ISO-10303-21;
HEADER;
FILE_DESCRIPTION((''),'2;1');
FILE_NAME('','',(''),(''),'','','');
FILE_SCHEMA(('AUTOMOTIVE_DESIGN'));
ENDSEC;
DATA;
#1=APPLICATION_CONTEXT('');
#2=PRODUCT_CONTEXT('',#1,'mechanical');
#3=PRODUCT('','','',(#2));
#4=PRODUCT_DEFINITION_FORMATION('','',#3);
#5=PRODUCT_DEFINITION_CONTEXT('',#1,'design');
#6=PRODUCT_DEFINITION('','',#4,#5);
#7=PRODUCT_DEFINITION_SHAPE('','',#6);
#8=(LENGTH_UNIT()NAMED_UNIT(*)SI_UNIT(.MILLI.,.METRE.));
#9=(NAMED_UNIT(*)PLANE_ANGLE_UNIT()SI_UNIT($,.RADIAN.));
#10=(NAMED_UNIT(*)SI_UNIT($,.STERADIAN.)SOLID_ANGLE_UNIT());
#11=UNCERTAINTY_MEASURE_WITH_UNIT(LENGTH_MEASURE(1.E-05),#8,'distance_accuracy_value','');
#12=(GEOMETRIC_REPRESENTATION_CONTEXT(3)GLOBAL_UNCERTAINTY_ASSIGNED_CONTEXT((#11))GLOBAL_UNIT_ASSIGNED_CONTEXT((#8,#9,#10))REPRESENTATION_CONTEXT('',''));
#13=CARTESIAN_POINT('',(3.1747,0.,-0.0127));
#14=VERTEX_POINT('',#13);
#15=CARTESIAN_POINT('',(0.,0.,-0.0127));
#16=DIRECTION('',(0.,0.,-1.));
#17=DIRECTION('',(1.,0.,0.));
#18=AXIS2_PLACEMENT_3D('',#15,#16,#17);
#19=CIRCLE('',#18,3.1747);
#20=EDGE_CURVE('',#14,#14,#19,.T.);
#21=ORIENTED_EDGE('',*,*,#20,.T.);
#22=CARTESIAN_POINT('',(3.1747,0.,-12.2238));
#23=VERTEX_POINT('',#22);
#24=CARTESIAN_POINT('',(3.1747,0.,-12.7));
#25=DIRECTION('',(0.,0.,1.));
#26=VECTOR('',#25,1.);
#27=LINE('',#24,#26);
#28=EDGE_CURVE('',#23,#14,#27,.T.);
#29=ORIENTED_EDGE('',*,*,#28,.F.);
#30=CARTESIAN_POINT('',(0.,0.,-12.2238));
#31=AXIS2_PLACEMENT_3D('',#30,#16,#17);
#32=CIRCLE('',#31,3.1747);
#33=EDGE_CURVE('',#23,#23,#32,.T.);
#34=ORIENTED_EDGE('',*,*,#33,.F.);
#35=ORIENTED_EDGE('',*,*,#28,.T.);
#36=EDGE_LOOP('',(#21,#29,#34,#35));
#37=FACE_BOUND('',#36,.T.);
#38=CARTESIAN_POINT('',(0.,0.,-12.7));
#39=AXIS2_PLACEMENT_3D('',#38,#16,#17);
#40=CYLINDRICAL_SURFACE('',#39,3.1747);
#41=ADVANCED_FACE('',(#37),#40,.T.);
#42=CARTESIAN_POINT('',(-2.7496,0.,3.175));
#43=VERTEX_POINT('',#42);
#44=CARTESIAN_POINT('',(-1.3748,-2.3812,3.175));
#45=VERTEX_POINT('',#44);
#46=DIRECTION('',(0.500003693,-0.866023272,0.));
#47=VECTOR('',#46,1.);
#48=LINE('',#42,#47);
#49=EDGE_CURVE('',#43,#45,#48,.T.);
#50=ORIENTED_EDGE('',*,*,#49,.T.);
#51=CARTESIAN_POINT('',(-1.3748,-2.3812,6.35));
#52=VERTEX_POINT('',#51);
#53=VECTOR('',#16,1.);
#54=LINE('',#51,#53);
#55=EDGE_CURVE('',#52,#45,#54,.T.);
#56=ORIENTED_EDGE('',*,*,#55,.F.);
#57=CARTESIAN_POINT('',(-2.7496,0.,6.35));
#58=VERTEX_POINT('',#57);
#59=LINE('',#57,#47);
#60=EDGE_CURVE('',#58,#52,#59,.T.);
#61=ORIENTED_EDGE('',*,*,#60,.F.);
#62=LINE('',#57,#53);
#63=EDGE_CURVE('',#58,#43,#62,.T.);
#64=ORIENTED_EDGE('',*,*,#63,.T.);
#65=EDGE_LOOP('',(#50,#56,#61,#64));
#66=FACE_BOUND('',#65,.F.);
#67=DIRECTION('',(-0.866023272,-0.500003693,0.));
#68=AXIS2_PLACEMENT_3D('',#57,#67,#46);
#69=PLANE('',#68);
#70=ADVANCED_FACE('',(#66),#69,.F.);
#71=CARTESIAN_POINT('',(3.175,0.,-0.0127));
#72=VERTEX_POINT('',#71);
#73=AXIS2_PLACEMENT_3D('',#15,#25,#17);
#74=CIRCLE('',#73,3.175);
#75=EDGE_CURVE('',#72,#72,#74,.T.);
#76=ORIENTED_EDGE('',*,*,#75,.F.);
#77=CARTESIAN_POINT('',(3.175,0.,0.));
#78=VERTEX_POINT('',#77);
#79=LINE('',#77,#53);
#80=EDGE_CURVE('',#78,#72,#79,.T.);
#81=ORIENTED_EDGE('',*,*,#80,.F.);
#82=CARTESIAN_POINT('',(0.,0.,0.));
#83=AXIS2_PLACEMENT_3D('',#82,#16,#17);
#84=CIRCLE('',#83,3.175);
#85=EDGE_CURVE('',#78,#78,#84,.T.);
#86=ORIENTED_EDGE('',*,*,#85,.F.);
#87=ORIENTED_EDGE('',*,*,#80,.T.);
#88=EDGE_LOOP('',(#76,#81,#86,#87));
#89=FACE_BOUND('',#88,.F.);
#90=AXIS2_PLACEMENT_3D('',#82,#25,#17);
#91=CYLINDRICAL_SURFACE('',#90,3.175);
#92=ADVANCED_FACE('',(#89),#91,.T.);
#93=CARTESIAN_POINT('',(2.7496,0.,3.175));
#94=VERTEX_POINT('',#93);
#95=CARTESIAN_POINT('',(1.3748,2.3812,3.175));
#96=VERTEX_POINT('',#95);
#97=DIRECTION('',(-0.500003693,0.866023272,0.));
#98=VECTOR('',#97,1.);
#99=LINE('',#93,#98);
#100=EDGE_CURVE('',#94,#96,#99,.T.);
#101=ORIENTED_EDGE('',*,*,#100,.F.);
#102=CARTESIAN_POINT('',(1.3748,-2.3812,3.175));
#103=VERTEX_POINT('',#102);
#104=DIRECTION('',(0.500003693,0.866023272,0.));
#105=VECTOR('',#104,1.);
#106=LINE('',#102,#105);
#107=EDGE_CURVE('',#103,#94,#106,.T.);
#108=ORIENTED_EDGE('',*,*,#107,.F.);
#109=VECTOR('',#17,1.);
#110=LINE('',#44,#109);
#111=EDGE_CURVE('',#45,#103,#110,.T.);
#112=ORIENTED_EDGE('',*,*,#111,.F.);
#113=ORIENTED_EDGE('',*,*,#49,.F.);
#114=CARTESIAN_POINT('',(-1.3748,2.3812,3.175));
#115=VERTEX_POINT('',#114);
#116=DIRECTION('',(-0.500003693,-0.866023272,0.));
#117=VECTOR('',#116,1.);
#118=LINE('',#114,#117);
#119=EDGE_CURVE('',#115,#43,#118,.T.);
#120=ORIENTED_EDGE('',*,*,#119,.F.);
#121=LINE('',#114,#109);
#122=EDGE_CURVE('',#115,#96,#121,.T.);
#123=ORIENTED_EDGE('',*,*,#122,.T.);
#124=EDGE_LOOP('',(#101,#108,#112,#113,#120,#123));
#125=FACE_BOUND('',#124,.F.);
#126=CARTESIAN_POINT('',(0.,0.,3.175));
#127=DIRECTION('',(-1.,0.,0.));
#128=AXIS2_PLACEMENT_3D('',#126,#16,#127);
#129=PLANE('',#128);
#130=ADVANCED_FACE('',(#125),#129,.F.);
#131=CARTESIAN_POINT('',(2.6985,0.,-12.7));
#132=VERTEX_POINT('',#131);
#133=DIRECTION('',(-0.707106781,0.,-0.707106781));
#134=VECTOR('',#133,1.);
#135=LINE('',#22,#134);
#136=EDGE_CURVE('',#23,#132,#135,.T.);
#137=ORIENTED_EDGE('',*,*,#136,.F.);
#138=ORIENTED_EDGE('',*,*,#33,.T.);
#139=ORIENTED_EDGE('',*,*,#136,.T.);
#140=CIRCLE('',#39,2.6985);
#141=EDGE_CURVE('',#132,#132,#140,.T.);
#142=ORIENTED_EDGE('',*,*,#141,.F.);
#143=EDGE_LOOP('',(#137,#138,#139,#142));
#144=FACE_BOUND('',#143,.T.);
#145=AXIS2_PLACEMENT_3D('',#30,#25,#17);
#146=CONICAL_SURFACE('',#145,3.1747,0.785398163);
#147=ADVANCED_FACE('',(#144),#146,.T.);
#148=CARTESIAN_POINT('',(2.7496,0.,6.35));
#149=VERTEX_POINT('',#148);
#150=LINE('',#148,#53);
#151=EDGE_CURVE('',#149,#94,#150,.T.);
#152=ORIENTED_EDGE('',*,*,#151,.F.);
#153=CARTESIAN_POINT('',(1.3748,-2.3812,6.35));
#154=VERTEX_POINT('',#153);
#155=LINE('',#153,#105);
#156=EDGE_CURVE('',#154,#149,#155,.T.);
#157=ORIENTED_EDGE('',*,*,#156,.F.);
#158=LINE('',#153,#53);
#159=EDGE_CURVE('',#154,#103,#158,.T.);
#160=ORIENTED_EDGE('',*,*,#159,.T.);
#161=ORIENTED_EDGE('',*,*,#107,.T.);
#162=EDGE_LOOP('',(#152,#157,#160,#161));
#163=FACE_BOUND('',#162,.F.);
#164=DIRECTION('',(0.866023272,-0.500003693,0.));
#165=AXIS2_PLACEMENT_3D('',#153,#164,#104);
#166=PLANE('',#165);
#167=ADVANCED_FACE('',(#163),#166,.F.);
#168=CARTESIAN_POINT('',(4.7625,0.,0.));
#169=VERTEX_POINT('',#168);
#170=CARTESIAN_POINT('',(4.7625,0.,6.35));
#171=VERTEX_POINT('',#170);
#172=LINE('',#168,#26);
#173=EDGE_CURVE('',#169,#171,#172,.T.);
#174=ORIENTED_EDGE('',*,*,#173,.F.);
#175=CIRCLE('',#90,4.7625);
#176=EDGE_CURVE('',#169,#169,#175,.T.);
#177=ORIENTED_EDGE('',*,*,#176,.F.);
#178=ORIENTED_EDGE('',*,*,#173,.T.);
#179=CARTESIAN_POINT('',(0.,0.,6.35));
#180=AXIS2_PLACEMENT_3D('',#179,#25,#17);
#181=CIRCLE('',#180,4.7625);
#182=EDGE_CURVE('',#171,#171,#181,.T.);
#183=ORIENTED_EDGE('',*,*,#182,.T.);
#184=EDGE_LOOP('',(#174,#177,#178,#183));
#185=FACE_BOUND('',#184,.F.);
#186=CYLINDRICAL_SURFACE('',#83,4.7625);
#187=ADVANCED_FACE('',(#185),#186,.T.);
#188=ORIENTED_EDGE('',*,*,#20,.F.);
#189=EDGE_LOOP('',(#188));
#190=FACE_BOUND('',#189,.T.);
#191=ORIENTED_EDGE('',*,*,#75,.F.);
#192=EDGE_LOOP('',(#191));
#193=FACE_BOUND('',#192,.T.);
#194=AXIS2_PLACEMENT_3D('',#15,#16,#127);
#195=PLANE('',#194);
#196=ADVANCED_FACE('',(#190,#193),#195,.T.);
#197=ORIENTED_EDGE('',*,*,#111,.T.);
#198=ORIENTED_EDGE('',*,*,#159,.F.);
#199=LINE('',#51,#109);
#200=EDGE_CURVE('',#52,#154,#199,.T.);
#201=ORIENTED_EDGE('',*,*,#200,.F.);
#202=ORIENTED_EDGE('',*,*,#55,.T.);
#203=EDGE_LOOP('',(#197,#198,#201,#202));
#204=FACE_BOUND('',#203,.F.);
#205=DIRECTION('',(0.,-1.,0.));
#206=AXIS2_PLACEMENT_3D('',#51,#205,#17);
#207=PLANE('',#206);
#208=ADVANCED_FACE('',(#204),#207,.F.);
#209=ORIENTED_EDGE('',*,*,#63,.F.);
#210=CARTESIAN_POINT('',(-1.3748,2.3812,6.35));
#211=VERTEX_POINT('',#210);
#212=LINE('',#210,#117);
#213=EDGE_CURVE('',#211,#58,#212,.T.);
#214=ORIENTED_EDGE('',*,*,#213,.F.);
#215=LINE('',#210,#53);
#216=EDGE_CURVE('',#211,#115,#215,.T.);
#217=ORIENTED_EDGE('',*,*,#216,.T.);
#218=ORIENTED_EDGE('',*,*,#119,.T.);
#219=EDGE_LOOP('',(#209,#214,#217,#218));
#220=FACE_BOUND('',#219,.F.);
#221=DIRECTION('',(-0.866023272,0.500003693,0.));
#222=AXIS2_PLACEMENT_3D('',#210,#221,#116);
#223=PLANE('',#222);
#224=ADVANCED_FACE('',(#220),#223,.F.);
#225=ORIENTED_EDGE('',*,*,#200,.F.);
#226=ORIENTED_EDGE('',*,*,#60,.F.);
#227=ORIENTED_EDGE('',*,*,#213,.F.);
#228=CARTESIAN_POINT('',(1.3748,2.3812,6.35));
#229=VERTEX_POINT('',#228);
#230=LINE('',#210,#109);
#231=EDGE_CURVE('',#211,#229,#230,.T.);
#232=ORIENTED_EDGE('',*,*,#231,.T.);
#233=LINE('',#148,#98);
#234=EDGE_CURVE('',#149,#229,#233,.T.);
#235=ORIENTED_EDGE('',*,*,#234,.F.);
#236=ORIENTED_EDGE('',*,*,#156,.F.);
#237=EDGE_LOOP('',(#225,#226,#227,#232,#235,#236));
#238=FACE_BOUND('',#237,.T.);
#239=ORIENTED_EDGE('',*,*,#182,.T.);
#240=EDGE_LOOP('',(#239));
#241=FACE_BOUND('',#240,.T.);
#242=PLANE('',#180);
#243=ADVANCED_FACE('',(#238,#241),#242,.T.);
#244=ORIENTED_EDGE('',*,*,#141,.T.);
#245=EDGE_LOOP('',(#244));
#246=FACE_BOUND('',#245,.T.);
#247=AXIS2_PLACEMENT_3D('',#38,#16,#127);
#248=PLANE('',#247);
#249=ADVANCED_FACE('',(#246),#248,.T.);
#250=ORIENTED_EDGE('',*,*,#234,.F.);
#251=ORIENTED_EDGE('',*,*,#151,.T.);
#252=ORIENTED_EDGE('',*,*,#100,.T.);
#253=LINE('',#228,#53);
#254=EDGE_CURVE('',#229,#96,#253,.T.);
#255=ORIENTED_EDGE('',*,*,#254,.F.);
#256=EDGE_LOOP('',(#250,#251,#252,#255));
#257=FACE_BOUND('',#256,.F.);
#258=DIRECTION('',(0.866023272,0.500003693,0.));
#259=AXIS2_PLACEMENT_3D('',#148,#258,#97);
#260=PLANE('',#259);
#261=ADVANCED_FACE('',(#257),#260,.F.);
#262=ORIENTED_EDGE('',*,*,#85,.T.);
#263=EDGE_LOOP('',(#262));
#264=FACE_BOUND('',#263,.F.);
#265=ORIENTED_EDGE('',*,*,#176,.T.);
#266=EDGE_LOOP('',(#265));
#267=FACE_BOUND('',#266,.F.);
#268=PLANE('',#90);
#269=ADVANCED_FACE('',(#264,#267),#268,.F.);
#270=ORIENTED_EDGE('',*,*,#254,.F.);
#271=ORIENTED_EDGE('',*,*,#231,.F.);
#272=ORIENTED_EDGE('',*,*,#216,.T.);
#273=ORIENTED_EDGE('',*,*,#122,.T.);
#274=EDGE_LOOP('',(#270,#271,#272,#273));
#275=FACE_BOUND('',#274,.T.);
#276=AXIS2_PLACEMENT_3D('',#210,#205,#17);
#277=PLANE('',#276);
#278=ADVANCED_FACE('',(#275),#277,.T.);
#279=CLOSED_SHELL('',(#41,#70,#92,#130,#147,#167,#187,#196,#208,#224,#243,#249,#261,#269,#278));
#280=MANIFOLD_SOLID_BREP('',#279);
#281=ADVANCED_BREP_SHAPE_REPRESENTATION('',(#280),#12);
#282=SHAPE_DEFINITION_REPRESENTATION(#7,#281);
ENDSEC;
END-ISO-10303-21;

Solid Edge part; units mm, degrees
sketch "Sketch1" plane through (0, 0, 0) normal (0, 0, 1) x (1, 0, 0)
  circle A0 centre (0, 0) radius 4.7625
  dimension "D1" = 9.525
extrude "Protrusion1" add sketch "Sketch1" along normal blind 6.35
sketch "Sketch2" plane through (0, 0, 0) normal (0, 0, -1) x (1, 0, 0)
  circle A0 centre (0, 0) radius 3.175
extrude "Protrusion2" add sketch "Sketch2" along normal blind 12.7
sketch "Sketch3" plane through (0, 0, -12.7) normal (0, 0, -1) x (1, 0, 0)
  circle A0 centre (0, 0) radius 3.1747
extrude "Cutout1" cut sketch "Sketch3" against normal blind 12.6873 flip side to cut
chamfer "Chamfer_1" distance 0.4762 angle 45 1 edges at (-3.1747, 0, -12.7)
sketch "Sketch4" plane through (0, 0, 6.35) normal (0, 0, 1) x (1, 0, 0)
  line L0 (-1.3748, 2.3812) -> (1.3748, 2.3812)
  line L1 (2.7496, 0) -> (1.3748, 2.3812)
  line L2 (1.3748, -2.3812) -> (2.7496, 0)
  line L3 (-1.3748, -2.3812) -> (1.3748, -2.3812)
  line L4 (-2.7496, 0) -> (-1.3748, -2.3812)
  line L5 (-1.3748, 2.3812) -> (-2.7496, 0)
  dimension "D1" = 4.7625
extrude "Cutout2" cut sketch "Sketch4" against normal blind 3.175
properties part number "24101621"
